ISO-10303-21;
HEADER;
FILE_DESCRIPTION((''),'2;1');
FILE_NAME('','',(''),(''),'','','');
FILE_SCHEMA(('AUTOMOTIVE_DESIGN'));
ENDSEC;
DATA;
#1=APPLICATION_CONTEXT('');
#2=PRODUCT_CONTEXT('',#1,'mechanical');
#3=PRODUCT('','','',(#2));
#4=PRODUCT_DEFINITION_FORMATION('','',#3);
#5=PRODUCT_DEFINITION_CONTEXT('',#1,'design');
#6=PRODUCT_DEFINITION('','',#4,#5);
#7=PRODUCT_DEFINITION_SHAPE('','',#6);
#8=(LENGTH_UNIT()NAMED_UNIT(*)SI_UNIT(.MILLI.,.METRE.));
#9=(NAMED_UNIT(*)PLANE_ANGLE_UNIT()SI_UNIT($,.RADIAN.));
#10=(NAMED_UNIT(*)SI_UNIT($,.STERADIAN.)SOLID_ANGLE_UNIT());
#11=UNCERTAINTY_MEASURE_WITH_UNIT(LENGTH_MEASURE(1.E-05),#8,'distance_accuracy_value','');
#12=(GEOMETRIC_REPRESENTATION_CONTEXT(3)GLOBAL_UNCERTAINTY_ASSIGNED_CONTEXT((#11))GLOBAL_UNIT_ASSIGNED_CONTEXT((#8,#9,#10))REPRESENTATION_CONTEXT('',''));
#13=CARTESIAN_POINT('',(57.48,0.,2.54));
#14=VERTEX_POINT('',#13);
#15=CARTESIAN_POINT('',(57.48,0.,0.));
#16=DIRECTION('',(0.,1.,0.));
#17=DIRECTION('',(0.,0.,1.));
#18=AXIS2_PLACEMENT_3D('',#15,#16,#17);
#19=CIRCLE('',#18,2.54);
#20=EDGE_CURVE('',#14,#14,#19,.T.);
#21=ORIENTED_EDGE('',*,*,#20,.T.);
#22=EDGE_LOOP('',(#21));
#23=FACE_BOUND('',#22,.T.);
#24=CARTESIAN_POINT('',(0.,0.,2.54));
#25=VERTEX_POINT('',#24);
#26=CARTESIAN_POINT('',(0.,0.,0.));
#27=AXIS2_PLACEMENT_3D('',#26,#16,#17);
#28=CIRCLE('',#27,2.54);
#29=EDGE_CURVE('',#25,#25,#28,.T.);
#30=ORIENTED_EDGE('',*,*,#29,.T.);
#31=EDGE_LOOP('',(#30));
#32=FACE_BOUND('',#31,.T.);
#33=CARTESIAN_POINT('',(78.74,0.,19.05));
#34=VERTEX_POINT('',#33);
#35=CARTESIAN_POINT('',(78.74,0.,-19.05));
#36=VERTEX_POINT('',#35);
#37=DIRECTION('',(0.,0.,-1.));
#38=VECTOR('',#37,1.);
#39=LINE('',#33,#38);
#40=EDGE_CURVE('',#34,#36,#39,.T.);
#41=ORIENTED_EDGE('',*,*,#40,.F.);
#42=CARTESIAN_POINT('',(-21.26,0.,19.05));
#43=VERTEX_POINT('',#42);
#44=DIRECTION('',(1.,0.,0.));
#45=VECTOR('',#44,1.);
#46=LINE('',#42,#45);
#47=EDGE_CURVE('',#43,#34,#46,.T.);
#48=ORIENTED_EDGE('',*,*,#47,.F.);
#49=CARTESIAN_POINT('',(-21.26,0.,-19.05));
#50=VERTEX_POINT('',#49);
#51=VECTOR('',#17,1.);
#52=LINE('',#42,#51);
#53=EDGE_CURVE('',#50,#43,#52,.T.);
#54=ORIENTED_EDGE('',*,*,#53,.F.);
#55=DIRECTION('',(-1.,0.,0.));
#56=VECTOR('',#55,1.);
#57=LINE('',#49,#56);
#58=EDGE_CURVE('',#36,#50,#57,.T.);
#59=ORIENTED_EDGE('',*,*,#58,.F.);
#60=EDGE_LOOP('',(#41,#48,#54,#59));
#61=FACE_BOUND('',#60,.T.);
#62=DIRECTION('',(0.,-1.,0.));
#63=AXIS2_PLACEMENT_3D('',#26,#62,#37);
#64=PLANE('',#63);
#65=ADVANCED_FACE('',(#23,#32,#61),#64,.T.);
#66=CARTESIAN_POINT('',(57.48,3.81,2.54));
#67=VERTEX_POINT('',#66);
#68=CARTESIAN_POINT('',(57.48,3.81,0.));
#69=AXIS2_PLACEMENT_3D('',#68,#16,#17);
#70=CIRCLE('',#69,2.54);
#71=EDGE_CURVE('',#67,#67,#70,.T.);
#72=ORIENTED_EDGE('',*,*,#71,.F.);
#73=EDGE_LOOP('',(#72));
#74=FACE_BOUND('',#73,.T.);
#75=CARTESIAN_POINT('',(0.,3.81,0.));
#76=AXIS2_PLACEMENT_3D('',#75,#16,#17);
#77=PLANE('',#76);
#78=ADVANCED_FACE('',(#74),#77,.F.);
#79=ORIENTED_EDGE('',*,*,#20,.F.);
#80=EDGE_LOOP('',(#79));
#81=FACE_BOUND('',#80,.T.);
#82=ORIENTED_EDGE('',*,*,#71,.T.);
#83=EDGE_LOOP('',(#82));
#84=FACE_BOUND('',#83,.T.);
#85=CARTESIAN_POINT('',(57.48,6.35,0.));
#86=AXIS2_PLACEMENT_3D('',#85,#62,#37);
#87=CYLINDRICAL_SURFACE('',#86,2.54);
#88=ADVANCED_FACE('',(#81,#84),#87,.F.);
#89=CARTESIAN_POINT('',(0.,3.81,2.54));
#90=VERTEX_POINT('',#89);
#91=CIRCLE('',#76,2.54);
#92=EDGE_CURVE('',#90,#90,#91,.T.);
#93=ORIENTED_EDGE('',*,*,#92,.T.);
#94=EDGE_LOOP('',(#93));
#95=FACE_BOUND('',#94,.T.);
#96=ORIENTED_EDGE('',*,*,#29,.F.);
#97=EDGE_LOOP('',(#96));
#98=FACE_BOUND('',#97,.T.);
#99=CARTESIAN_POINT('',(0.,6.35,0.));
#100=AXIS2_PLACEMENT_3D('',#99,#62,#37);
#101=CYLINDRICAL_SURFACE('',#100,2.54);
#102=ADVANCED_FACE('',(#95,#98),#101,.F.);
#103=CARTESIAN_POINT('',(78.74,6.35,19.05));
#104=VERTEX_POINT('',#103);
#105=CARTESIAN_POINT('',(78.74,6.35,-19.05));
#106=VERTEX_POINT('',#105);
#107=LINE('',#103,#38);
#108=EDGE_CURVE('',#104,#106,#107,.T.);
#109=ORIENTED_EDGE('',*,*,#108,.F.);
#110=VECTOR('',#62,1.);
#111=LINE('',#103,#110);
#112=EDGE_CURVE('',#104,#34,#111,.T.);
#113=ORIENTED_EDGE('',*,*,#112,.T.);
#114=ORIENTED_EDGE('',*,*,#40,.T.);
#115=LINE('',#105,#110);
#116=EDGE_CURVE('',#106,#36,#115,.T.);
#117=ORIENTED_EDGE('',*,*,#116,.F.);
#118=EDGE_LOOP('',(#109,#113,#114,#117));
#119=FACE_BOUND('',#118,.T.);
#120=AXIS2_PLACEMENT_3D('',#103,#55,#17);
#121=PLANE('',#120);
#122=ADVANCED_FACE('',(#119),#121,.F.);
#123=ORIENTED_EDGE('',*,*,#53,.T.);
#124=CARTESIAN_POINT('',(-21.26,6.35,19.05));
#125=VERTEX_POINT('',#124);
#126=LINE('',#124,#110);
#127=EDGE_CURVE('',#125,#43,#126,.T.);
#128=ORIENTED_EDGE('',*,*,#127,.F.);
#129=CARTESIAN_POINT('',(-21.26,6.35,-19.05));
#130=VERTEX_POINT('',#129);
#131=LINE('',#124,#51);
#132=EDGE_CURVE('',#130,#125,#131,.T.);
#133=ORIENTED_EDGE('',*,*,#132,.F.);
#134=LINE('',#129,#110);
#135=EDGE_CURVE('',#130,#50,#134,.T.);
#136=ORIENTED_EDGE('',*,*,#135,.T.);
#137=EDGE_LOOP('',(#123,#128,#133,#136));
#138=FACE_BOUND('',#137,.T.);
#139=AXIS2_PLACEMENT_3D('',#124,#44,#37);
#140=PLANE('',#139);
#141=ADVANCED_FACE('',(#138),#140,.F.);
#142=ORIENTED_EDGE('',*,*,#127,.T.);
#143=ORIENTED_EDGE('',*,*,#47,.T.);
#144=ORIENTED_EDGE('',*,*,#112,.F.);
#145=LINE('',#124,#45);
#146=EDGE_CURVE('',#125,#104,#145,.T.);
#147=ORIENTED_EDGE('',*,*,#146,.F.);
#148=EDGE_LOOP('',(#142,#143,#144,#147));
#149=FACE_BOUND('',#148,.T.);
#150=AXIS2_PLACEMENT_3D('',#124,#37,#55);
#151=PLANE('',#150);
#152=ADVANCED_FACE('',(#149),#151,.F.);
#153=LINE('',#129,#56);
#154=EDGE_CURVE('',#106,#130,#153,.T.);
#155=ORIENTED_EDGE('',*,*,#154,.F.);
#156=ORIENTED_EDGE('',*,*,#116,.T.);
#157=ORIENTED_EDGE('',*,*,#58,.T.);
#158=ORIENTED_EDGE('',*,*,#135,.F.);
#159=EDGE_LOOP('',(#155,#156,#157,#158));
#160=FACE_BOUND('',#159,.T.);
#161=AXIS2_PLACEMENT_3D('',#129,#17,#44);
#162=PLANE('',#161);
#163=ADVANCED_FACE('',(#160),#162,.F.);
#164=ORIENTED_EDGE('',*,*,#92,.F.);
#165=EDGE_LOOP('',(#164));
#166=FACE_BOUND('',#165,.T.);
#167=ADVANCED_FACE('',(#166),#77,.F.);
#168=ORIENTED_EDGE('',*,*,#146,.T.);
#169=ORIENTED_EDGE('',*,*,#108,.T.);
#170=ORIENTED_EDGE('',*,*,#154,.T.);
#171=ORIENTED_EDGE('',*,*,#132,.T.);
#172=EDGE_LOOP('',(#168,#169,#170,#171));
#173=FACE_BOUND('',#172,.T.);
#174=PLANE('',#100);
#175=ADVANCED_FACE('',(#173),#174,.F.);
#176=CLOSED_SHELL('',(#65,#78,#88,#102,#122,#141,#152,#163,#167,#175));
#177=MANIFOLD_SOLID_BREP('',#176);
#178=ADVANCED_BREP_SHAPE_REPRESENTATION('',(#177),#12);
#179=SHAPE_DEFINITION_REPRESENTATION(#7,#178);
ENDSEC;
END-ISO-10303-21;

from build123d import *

# Parameters (mm, degrees)
SKETCH1_W           = 100
SKETCH1_H           = 38.1
SKETCH1_R           = 2.54
BOSS_EXTRUDE1_DEPTH = 6.35
SKETCH2_W           = 100
SKETCH2_H           = 38.1
BOSS_EXTRUDE2_DEPTH = 2.54


with BuildPart() as part:
    # Sketch1 → Boss-Extrude1 (new body)
    with BuildSketch(Plane(origin=(0, 0, 0), x_dir=(1, 0, 0), z_dir=(0, 1, 0))):
        with Locations((28.74, 0)):
            Rectangle(SKETCH1_W, SKETCH1_H)
        Circle(SKETCH1_R, mode=Mode.SUBTRACT)
        with Locations((57.48, 0)):
            Circle(SKETCH1_R, mode=Mode.SUBTRACT)
    extrude(amount=BOSS_EXTRUDE1_DEPTH)

    # Sketch2 → Boss-Extrude2 (add)
    with BuildSketch(Plane(origin=(0, 6.35, 0), x_dir=(1, 0, 0), z_dir=(0, 1, 0))):
        with Locations((28.74, 0)):
            Rectangle(SKETCH2_W, SKETCH2_H)
    extrude(amount=-BOSS_EXTRUDE2_DEPTH)


solid = part.part
